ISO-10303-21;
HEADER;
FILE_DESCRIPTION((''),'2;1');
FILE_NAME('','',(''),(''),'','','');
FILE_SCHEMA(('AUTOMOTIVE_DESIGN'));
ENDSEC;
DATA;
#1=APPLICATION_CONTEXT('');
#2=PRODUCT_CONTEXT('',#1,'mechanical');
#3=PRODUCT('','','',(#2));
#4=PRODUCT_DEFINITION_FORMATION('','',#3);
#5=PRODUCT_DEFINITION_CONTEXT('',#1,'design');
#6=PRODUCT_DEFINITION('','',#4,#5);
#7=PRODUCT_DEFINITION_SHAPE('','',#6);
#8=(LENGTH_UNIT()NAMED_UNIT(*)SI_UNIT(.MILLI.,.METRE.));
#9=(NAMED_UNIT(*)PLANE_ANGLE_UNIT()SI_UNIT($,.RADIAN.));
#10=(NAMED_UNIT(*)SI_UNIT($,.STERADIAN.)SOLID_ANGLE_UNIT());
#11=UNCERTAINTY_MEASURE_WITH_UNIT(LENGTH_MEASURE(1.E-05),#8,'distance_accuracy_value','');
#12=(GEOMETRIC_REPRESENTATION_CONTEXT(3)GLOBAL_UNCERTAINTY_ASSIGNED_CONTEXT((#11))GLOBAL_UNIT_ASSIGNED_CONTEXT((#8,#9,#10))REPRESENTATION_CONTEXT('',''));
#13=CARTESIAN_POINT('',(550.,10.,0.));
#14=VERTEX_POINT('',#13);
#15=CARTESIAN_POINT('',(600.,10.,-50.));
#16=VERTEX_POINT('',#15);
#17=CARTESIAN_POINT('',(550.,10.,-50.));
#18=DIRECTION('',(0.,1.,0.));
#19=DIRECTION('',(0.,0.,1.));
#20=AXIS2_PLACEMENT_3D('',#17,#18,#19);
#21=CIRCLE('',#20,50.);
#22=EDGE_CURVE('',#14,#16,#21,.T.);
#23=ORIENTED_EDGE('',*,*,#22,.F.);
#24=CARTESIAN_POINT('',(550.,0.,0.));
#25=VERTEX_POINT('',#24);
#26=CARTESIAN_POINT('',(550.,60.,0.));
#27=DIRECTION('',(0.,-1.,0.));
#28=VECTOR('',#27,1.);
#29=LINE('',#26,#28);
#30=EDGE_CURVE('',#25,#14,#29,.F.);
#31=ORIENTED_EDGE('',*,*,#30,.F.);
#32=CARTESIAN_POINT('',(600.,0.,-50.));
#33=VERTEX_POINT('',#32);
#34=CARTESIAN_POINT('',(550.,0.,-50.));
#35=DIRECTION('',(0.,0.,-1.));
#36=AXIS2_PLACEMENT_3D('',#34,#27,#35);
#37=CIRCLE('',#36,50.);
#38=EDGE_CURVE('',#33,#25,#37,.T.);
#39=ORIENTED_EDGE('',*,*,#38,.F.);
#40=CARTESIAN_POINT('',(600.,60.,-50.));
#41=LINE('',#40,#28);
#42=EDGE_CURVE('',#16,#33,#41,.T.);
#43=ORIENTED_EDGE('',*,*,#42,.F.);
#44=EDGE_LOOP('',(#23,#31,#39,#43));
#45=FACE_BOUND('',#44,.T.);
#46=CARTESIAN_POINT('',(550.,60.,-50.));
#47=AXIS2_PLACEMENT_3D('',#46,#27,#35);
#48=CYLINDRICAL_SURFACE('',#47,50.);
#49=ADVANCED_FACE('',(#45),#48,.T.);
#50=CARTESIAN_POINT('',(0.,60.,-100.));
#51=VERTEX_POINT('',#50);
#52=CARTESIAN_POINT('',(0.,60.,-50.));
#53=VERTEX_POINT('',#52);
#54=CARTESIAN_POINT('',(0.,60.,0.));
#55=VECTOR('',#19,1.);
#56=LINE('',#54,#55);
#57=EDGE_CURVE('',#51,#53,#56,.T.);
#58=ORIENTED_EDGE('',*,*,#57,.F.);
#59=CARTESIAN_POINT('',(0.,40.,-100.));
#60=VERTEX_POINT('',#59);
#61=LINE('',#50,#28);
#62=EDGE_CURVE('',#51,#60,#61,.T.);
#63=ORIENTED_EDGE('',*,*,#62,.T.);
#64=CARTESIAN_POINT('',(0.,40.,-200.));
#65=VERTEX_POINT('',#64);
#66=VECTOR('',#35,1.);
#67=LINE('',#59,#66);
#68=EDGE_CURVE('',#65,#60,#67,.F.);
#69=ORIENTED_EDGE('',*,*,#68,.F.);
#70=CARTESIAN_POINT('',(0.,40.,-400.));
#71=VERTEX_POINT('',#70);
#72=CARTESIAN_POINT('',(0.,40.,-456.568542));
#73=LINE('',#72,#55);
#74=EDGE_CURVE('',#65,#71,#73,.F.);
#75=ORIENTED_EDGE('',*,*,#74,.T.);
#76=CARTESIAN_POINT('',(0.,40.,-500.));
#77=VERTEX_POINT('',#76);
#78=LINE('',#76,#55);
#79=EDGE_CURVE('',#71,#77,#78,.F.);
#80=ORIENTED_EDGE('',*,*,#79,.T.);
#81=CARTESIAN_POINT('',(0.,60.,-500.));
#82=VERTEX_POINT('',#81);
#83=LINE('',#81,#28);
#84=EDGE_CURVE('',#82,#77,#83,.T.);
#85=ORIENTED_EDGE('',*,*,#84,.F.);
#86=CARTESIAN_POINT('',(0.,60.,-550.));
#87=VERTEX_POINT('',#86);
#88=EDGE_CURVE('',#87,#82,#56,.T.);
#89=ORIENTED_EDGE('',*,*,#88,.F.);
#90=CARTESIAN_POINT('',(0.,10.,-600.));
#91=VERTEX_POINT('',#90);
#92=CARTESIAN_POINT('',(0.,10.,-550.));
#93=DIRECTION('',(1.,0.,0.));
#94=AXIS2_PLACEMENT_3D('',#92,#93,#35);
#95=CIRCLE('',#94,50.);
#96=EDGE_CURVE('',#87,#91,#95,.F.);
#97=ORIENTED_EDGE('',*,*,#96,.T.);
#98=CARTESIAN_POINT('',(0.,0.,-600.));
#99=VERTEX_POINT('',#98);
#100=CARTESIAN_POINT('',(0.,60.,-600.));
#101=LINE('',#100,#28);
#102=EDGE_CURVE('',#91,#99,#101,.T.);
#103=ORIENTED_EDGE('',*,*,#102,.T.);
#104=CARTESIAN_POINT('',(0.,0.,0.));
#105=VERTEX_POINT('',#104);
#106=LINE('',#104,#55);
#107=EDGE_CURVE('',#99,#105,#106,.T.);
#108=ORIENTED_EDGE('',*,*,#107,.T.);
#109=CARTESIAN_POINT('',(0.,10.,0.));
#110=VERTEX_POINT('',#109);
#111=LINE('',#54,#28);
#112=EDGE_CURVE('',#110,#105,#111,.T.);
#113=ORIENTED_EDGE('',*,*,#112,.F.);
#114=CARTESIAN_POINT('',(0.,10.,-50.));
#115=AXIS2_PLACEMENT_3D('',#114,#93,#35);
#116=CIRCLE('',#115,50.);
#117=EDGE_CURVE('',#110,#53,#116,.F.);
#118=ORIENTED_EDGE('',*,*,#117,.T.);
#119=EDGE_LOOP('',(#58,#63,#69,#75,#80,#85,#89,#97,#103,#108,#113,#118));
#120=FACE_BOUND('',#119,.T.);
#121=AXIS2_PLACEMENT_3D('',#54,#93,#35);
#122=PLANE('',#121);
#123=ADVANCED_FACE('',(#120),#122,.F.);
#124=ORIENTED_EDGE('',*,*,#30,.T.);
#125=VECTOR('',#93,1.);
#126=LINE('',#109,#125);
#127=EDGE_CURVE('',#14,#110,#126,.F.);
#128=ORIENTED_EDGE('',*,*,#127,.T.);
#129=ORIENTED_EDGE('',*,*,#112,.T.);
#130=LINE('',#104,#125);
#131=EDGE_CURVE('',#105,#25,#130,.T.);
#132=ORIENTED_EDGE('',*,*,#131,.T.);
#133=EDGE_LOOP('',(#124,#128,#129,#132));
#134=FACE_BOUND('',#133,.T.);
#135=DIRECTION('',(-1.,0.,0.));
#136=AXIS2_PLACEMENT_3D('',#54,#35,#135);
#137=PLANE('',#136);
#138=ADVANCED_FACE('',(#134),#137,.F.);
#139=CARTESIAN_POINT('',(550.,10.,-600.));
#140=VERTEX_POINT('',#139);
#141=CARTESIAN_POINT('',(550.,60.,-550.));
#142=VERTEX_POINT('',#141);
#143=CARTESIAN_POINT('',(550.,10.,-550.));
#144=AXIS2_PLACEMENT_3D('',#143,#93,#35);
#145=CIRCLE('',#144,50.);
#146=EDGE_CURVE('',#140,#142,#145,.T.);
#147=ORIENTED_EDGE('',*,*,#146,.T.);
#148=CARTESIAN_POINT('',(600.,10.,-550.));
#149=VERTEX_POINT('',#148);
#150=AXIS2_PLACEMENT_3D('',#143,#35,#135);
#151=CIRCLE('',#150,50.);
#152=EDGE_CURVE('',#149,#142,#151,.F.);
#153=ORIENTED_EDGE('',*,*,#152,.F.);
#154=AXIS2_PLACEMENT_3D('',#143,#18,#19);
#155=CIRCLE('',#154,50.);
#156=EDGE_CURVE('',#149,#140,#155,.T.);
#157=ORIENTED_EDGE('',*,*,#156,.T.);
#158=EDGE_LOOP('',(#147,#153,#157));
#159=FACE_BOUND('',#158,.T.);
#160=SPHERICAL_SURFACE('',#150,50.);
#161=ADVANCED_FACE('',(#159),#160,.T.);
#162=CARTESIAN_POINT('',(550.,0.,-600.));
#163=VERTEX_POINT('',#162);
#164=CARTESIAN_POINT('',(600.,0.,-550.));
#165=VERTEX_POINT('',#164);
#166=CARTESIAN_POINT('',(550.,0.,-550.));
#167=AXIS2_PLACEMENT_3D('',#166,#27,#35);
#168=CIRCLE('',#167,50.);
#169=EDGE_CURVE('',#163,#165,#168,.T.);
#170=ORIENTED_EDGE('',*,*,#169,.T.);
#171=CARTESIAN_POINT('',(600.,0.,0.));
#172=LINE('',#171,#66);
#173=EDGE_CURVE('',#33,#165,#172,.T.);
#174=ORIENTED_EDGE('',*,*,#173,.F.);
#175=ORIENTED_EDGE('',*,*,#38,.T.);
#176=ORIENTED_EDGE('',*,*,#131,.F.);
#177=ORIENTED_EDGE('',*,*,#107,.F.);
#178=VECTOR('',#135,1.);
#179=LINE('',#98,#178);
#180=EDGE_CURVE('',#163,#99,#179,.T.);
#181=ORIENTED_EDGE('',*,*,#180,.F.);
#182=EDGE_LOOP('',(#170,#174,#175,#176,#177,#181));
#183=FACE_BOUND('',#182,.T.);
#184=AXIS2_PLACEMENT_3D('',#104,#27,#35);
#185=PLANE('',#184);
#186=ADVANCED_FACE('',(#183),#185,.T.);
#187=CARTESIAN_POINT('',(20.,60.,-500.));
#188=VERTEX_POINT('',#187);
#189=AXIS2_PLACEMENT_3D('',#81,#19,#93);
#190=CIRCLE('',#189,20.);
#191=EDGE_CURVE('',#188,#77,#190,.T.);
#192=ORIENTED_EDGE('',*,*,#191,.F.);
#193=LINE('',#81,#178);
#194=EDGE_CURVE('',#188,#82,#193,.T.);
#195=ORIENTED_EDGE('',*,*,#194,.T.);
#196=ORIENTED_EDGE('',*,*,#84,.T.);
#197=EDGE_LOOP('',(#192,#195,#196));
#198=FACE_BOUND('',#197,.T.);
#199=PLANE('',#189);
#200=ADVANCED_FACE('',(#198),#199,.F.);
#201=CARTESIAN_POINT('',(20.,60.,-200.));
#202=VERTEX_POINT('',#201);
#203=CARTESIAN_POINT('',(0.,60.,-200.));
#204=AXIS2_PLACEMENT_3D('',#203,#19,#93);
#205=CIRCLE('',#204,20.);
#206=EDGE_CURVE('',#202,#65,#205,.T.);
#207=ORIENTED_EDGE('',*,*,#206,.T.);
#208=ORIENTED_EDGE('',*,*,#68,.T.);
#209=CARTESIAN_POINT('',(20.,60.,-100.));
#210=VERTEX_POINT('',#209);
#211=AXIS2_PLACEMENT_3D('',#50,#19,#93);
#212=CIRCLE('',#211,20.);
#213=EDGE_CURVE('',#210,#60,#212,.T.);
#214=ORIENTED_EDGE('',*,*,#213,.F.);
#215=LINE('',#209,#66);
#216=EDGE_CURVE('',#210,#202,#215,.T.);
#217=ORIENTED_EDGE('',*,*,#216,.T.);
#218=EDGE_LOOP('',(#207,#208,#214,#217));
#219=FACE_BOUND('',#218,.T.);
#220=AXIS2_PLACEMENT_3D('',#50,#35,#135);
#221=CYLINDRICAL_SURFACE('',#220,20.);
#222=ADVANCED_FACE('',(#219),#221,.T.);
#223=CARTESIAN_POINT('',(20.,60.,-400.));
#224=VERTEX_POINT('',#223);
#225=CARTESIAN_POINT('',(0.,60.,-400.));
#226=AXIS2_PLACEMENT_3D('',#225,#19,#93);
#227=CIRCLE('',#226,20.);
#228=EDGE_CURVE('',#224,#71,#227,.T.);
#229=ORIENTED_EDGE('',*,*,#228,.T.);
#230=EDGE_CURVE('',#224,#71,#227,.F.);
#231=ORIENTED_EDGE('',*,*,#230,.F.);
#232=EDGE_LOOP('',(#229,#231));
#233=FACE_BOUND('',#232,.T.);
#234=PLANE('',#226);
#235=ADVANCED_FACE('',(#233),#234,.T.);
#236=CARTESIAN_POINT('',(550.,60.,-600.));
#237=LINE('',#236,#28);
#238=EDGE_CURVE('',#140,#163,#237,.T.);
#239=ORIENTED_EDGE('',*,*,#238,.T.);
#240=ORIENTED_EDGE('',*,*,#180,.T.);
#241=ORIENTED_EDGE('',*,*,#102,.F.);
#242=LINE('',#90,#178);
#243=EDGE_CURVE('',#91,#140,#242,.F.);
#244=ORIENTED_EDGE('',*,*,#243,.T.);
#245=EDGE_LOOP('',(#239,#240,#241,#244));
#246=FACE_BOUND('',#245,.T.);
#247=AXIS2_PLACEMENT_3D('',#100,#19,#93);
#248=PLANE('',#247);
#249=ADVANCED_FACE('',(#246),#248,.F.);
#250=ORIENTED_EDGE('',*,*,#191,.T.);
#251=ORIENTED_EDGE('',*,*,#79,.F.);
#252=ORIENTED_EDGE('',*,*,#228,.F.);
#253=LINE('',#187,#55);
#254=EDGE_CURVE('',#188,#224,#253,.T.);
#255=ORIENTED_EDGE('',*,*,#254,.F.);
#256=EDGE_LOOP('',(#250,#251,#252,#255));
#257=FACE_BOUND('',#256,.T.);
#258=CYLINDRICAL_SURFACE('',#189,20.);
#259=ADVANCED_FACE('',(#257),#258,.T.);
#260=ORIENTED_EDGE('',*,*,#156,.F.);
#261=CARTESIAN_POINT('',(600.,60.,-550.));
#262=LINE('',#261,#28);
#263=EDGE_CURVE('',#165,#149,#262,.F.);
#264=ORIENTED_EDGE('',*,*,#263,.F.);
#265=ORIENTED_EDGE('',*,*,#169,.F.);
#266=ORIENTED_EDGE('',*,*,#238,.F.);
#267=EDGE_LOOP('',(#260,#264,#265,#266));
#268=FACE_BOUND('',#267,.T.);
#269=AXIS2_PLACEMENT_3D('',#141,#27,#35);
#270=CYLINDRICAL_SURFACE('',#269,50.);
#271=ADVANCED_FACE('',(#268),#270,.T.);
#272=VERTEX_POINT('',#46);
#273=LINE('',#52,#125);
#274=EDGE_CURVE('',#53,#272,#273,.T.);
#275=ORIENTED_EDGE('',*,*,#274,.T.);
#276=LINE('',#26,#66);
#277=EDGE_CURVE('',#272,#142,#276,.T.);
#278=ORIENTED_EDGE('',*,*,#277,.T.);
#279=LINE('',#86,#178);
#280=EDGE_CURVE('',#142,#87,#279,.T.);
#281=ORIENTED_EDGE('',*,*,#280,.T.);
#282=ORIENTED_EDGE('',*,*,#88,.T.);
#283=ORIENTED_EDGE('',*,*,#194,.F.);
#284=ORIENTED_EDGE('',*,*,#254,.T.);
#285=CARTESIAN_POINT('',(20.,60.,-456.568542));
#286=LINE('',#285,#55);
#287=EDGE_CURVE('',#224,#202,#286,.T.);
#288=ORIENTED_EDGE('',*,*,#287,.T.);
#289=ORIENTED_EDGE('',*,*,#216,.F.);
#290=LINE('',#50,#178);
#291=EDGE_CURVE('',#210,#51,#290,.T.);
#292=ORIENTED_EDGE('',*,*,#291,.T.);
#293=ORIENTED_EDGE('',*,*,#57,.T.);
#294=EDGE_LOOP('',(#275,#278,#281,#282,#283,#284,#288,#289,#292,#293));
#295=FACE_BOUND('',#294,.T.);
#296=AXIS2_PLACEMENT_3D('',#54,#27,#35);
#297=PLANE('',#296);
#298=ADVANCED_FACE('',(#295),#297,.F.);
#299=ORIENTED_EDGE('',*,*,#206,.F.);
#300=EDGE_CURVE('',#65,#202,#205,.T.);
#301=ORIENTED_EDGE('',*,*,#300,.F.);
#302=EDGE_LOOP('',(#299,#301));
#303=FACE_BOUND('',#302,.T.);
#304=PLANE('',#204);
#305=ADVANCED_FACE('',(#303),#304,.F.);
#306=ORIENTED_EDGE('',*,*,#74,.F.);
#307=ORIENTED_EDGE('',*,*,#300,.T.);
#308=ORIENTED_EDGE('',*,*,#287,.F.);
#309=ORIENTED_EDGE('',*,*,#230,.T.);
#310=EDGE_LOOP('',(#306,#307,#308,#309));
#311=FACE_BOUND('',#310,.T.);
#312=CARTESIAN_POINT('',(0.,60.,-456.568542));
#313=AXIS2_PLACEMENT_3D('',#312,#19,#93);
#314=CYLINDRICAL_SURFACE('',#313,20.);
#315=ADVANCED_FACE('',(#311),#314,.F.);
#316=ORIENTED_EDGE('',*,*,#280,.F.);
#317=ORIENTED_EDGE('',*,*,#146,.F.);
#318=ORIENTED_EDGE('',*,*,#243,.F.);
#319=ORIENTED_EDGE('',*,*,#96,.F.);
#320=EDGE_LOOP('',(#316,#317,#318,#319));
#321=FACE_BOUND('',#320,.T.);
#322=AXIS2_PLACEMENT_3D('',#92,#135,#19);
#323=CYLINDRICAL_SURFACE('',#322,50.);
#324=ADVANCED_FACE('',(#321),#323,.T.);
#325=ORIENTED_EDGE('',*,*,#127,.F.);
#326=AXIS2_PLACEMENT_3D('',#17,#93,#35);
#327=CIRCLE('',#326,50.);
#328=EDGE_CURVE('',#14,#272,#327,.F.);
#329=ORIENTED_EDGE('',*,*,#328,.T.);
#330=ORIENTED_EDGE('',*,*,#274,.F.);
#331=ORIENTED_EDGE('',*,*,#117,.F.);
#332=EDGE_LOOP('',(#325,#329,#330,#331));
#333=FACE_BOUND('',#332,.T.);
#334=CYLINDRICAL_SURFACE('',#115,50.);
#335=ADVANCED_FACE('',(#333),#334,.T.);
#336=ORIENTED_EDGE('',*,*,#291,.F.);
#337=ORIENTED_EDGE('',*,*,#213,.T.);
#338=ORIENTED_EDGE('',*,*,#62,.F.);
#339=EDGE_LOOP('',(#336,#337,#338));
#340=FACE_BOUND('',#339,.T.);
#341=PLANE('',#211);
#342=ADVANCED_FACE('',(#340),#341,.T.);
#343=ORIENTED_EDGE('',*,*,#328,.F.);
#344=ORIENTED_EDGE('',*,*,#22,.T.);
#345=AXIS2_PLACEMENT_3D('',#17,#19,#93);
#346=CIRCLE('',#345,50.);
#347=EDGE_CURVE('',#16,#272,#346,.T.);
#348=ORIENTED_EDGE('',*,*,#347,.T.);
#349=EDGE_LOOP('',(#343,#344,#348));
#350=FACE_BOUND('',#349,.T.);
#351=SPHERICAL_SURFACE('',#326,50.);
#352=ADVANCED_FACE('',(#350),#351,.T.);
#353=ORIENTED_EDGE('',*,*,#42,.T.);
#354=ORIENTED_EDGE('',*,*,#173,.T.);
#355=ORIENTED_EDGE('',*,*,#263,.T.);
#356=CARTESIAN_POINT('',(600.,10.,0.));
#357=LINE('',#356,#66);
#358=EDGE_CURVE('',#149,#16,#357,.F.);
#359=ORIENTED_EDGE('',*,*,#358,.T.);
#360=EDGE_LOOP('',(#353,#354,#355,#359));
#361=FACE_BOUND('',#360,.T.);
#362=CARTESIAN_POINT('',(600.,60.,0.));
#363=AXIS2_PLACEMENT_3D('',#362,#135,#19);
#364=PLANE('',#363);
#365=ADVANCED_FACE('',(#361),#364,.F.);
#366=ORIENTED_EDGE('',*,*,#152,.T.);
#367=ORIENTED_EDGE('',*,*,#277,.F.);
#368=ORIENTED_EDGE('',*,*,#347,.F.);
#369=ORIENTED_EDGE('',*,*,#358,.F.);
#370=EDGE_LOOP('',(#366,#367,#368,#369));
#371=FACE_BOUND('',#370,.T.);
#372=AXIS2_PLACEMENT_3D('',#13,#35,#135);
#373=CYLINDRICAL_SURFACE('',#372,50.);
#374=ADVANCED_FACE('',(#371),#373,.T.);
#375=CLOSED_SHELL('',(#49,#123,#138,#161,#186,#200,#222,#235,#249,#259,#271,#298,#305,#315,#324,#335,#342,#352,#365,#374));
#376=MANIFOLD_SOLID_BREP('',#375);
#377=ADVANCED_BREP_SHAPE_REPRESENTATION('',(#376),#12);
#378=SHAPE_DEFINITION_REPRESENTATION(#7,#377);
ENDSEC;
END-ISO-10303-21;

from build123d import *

# Parameters (mm, degrees)
SKETCH1_W                      = 600
SKETCH1_H                      = 600
BOSS_EXTRUDE1_DEPTH            = 60
BOSS_EXTRUDE2_START            = 100
SKETCH2_R                      = 20
BOSS_EXTRUDE2_DEPTH            = 100
BOSS_EXTRUDE3_START            = -200
SKETCH2_2_R                    = 20
BOSS_EXTRUDE3_DEPTH            = 100
CUT_EXTRUDE1_REACH             = 677.574
SKETCH2_3_R                    = 20
CUT_EXTRUDE1_DIRECTION_2_REACH = 677.574
FILLET1_R                      = 50


with BuildPart() as part:
    # Sketch1 → Boss-Extrude1 (new body)
    with BuildSketch(Plane(origin=(0, 0, 0), x_dir=(1, 0, 0), z_dir=(0, 1, 0))):
        with Locations((300, 300)):
            Rectangle(SKETCH1_W, SKETCH1_H)
    extrude(amount=BOSS_EXTRUDE1_DEPTH)

    # Sketch2 → Boss-Extrude2 (add)
    with BuildSketch(Plane.XY.offset(-300).offset(BOSS_EXTRUDE2_START)):
        with Locations((0, 60)):
            Circle(SKETCH2_R)
    extrude(amount=BOSS_EXTRUDE2_DEPTH)

    # Sketch2<2> → Boss-Extrude3 (add)
    with BuildSketch(Plane.XY.offset(-300).offset(BOSS_EXTRUDE3_START)):
        with Locations((0, 60)):
            Circle(SKETCH2_2_R)
    extrude(amount=BOSS_EXTRUDE3_DEPTH)

    # Cut-Extrude1: up to this face of the body (flat: up to its plane)
    cut_extrude1_end = Plane(part.part.faces().sort_by_distance((-2.829421211, 62.829421211, -400))[0])
    # Sketch2<3> → Cut-Extrude1 (cut, up to the picked face)
    with BuildSketch(Plane.XY.offset(-300), mode=Mode.PRIVATE) as cut_extrude1_sk1:
        with Locations((0, 60)):
            Circle(SKETCH2_3_R)
    cut_extrude1_tool1 = split(extrude(cut_extrude1_sk1.sketch, amount=-CUT_EXTRUDE1_REACH, mode=Mode.PRIVATE), bisect_by=cut_extrude1_end, keep=Keep.BOTH, mode=Mode.PRIVATE)
    add(cut_extrude1_tool1.solids().sort_by(Axis((0, 60, -300), (0, 0, -1)))[0], mode=Mode.SUBTRACT)

    # Cut-Extrude1 direction 2: up to this face of the body (flat: up to its plane)
    cut_extrude1_direction_2_end = Plane(part.part.faces().sort_by_distance((-2.829421211, 62.829421211, -200))[0])
    # Sketch2<3> → Cut-Extrude1 direction 2 (cut, up to the picked face)
    with BuildSketch(Plane.XY.offset(-300), mode=Mode.PRIVATE) as cut_extrude1_direction_2_sk1:
        with Locations((0, 60)):
            Circle(SKETCH2_3_R)
    cut_extrude1_direction_2_tool1 = split(extrude(cut_extrude1_direction_2_sk1.sketch, amount=CUT_EXTRUDE1_DIRECTION_2_REACH, mode=Mode.PRIVATE), bisect_by=cut_extrude1_direction_2_end, keep=Keep.BOTH, mode=Mode.PRIVATE)
    add(cut_extrude1_direction_2_tool1.solids().sort_by(Axis((0, 60, -300), (0, 0, 1)))[0], mode=Mode.SUBTRACT)

    # Fillet1
    fillet1_edges = [part.edges().sort_by_distance(p)[0] for p in [
        (600, 60, -300),
        (300, 60, -600),
        (600, 30, -600),
        (600, 30, 0),
        (300, 60, 0),
    ]]
    fillet(fillet1_edges, radius=FILLET1_R)


solid = part.part
